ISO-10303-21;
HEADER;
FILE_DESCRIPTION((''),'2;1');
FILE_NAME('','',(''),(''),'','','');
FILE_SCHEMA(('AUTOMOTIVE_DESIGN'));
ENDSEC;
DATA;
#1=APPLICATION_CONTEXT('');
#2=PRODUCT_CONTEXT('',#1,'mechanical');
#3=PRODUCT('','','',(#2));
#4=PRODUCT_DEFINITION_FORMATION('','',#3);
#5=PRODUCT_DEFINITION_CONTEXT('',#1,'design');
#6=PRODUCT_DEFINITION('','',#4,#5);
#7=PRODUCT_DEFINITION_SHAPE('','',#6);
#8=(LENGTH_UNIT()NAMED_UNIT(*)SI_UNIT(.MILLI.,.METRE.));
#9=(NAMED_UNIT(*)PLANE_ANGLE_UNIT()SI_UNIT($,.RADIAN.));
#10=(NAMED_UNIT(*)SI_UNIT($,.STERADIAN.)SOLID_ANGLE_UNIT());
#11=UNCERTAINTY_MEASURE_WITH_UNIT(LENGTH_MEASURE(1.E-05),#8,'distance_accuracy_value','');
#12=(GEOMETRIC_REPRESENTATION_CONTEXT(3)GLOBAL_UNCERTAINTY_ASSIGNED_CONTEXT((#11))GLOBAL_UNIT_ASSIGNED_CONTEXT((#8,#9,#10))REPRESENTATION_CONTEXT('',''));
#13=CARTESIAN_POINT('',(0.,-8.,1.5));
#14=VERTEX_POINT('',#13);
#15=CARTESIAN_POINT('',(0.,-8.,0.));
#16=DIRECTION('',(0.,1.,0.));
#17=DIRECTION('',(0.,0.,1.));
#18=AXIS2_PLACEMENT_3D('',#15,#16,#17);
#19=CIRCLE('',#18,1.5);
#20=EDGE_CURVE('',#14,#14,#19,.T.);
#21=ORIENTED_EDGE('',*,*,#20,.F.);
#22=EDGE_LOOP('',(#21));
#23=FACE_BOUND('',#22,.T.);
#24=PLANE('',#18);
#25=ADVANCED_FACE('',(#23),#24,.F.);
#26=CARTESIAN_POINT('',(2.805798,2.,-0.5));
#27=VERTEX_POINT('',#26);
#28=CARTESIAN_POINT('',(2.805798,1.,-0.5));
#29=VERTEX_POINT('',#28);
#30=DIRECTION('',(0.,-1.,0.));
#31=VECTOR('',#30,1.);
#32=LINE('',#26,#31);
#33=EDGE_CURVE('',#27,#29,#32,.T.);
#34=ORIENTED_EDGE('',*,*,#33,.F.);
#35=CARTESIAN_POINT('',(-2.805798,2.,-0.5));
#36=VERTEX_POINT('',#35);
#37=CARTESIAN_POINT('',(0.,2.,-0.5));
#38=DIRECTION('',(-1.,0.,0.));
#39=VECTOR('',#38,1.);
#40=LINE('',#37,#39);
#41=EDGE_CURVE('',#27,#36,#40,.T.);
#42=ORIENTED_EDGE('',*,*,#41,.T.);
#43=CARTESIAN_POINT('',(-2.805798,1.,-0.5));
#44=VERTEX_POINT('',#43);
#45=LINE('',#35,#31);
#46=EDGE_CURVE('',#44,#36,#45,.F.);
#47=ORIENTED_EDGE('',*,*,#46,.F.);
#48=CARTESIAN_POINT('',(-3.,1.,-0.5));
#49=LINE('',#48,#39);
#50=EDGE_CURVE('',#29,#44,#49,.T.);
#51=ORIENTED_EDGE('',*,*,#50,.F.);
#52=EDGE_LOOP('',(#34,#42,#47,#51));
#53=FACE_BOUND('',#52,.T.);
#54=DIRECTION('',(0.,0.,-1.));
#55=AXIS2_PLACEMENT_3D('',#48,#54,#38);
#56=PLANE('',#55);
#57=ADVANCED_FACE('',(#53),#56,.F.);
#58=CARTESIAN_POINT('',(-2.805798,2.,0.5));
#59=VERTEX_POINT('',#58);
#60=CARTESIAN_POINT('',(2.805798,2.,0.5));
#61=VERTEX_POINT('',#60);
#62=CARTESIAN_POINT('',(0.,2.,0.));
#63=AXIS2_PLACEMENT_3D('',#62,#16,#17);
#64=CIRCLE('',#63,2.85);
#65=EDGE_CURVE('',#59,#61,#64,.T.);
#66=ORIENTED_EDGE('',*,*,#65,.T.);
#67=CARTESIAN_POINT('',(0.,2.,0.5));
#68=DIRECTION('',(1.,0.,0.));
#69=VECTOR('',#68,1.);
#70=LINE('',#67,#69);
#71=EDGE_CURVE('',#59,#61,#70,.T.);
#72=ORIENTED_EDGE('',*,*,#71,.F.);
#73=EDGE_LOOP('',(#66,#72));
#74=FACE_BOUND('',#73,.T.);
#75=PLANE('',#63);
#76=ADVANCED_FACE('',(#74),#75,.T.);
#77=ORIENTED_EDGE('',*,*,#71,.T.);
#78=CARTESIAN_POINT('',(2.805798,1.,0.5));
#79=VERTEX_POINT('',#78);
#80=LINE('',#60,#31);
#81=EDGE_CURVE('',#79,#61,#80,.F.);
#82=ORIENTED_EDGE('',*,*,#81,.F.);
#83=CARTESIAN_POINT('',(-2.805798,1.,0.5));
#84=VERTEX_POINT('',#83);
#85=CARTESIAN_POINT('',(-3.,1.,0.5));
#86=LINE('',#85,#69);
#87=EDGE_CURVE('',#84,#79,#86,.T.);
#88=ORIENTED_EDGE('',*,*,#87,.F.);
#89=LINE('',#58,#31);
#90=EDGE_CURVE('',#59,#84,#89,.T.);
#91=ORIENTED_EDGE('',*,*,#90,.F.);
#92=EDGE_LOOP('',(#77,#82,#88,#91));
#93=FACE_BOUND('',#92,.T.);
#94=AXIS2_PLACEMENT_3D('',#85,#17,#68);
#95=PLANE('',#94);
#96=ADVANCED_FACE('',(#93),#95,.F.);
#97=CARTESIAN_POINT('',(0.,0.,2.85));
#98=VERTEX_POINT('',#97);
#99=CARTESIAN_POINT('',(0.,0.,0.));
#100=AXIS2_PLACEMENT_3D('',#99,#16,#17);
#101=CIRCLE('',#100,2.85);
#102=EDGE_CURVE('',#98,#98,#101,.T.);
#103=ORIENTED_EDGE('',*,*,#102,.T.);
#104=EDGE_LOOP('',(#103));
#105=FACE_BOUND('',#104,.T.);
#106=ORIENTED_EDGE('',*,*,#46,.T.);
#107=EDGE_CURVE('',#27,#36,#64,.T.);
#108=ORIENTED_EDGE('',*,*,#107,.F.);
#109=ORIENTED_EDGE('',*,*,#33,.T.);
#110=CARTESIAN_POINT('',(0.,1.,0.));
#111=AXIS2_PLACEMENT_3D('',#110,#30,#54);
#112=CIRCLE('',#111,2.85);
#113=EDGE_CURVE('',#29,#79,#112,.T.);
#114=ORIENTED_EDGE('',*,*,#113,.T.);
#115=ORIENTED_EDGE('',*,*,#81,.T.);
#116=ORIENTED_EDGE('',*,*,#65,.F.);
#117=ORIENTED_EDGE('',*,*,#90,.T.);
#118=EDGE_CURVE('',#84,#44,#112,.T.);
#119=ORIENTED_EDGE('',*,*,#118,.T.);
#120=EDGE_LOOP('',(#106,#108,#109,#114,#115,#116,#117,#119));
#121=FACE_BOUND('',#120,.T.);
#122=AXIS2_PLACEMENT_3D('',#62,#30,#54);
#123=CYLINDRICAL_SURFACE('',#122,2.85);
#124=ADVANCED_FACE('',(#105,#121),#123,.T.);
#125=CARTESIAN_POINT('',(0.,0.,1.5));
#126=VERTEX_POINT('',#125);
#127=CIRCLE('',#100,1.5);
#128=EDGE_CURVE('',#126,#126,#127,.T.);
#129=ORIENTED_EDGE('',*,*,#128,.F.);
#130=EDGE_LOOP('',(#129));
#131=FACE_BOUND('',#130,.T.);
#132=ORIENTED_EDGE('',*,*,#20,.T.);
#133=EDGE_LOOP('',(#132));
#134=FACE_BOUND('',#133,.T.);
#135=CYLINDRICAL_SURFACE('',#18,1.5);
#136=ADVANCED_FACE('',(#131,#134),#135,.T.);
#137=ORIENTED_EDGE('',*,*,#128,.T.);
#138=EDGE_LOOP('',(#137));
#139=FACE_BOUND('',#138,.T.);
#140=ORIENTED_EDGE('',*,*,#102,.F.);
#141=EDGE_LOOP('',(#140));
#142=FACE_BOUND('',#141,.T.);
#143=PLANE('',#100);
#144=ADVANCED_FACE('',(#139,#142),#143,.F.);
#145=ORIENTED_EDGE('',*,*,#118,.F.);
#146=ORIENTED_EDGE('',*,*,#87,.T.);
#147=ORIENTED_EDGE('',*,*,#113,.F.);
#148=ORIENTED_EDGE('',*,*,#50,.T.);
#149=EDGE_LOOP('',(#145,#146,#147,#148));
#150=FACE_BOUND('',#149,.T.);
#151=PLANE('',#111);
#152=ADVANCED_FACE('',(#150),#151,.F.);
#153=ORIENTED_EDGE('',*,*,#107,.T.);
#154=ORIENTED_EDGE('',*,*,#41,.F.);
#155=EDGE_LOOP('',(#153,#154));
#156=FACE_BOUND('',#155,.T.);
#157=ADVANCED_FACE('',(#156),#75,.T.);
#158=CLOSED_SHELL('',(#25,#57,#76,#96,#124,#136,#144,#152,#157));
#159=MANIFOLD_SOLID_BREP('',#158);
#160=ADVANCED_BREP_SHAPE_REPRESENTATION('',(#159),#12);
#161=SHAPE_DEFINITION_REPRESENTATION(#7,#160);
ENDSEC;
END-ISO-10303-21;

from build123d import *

# Parameters (mm, degrees)
SKETCH1_R           = 2.85
BOSS_EXTRUDE1_DEPTH = 2
SKETCH2_R           = 1.5
BOSS_EXTRUDE2_DEPTH = 8
SKETCH3_W           = 6
SKETCH3_H           = 1
CUT_EXTRUDE1_DEPTH  = 1


with BuildPart() as part:
    # Sketch1 → Boss-Extrude1 (new body)
    with BuildSketch(Plane(origin=(0, 0, 0), x_dir=(1, 0, 0), z_dir=(0, 1, 0))):
        Circle(SKETCH1_R)
    extrude(amount=BOSS_EXTRUDE1_DEPTH)

    # Sketch2 → Boss-Extrude2 (add)
    with BuildSketch(Plane(origin=(0, 0, 0), x_dir=(1, 0, 0), z_dir=(0, 1, 0))):
        Circle(SKETCH2_R)
    extrude(amount=-BOSS_EXTRUDE2_DEPTH)

    # Sketch3 → Cut-Extrude1 (cut)
    with BuildSketch(Plane(origin=(0, 2, 0), x_dir=(1, 0, 0), z_dir=(0, 1, 0))):
        Rectangle(SKETCH3_W, SKETCH3_H)
    extrude(amount=-CUT_EXTRUDE1_DEPTH, mode=Mode.SUBTRACT)


solid = part.part
